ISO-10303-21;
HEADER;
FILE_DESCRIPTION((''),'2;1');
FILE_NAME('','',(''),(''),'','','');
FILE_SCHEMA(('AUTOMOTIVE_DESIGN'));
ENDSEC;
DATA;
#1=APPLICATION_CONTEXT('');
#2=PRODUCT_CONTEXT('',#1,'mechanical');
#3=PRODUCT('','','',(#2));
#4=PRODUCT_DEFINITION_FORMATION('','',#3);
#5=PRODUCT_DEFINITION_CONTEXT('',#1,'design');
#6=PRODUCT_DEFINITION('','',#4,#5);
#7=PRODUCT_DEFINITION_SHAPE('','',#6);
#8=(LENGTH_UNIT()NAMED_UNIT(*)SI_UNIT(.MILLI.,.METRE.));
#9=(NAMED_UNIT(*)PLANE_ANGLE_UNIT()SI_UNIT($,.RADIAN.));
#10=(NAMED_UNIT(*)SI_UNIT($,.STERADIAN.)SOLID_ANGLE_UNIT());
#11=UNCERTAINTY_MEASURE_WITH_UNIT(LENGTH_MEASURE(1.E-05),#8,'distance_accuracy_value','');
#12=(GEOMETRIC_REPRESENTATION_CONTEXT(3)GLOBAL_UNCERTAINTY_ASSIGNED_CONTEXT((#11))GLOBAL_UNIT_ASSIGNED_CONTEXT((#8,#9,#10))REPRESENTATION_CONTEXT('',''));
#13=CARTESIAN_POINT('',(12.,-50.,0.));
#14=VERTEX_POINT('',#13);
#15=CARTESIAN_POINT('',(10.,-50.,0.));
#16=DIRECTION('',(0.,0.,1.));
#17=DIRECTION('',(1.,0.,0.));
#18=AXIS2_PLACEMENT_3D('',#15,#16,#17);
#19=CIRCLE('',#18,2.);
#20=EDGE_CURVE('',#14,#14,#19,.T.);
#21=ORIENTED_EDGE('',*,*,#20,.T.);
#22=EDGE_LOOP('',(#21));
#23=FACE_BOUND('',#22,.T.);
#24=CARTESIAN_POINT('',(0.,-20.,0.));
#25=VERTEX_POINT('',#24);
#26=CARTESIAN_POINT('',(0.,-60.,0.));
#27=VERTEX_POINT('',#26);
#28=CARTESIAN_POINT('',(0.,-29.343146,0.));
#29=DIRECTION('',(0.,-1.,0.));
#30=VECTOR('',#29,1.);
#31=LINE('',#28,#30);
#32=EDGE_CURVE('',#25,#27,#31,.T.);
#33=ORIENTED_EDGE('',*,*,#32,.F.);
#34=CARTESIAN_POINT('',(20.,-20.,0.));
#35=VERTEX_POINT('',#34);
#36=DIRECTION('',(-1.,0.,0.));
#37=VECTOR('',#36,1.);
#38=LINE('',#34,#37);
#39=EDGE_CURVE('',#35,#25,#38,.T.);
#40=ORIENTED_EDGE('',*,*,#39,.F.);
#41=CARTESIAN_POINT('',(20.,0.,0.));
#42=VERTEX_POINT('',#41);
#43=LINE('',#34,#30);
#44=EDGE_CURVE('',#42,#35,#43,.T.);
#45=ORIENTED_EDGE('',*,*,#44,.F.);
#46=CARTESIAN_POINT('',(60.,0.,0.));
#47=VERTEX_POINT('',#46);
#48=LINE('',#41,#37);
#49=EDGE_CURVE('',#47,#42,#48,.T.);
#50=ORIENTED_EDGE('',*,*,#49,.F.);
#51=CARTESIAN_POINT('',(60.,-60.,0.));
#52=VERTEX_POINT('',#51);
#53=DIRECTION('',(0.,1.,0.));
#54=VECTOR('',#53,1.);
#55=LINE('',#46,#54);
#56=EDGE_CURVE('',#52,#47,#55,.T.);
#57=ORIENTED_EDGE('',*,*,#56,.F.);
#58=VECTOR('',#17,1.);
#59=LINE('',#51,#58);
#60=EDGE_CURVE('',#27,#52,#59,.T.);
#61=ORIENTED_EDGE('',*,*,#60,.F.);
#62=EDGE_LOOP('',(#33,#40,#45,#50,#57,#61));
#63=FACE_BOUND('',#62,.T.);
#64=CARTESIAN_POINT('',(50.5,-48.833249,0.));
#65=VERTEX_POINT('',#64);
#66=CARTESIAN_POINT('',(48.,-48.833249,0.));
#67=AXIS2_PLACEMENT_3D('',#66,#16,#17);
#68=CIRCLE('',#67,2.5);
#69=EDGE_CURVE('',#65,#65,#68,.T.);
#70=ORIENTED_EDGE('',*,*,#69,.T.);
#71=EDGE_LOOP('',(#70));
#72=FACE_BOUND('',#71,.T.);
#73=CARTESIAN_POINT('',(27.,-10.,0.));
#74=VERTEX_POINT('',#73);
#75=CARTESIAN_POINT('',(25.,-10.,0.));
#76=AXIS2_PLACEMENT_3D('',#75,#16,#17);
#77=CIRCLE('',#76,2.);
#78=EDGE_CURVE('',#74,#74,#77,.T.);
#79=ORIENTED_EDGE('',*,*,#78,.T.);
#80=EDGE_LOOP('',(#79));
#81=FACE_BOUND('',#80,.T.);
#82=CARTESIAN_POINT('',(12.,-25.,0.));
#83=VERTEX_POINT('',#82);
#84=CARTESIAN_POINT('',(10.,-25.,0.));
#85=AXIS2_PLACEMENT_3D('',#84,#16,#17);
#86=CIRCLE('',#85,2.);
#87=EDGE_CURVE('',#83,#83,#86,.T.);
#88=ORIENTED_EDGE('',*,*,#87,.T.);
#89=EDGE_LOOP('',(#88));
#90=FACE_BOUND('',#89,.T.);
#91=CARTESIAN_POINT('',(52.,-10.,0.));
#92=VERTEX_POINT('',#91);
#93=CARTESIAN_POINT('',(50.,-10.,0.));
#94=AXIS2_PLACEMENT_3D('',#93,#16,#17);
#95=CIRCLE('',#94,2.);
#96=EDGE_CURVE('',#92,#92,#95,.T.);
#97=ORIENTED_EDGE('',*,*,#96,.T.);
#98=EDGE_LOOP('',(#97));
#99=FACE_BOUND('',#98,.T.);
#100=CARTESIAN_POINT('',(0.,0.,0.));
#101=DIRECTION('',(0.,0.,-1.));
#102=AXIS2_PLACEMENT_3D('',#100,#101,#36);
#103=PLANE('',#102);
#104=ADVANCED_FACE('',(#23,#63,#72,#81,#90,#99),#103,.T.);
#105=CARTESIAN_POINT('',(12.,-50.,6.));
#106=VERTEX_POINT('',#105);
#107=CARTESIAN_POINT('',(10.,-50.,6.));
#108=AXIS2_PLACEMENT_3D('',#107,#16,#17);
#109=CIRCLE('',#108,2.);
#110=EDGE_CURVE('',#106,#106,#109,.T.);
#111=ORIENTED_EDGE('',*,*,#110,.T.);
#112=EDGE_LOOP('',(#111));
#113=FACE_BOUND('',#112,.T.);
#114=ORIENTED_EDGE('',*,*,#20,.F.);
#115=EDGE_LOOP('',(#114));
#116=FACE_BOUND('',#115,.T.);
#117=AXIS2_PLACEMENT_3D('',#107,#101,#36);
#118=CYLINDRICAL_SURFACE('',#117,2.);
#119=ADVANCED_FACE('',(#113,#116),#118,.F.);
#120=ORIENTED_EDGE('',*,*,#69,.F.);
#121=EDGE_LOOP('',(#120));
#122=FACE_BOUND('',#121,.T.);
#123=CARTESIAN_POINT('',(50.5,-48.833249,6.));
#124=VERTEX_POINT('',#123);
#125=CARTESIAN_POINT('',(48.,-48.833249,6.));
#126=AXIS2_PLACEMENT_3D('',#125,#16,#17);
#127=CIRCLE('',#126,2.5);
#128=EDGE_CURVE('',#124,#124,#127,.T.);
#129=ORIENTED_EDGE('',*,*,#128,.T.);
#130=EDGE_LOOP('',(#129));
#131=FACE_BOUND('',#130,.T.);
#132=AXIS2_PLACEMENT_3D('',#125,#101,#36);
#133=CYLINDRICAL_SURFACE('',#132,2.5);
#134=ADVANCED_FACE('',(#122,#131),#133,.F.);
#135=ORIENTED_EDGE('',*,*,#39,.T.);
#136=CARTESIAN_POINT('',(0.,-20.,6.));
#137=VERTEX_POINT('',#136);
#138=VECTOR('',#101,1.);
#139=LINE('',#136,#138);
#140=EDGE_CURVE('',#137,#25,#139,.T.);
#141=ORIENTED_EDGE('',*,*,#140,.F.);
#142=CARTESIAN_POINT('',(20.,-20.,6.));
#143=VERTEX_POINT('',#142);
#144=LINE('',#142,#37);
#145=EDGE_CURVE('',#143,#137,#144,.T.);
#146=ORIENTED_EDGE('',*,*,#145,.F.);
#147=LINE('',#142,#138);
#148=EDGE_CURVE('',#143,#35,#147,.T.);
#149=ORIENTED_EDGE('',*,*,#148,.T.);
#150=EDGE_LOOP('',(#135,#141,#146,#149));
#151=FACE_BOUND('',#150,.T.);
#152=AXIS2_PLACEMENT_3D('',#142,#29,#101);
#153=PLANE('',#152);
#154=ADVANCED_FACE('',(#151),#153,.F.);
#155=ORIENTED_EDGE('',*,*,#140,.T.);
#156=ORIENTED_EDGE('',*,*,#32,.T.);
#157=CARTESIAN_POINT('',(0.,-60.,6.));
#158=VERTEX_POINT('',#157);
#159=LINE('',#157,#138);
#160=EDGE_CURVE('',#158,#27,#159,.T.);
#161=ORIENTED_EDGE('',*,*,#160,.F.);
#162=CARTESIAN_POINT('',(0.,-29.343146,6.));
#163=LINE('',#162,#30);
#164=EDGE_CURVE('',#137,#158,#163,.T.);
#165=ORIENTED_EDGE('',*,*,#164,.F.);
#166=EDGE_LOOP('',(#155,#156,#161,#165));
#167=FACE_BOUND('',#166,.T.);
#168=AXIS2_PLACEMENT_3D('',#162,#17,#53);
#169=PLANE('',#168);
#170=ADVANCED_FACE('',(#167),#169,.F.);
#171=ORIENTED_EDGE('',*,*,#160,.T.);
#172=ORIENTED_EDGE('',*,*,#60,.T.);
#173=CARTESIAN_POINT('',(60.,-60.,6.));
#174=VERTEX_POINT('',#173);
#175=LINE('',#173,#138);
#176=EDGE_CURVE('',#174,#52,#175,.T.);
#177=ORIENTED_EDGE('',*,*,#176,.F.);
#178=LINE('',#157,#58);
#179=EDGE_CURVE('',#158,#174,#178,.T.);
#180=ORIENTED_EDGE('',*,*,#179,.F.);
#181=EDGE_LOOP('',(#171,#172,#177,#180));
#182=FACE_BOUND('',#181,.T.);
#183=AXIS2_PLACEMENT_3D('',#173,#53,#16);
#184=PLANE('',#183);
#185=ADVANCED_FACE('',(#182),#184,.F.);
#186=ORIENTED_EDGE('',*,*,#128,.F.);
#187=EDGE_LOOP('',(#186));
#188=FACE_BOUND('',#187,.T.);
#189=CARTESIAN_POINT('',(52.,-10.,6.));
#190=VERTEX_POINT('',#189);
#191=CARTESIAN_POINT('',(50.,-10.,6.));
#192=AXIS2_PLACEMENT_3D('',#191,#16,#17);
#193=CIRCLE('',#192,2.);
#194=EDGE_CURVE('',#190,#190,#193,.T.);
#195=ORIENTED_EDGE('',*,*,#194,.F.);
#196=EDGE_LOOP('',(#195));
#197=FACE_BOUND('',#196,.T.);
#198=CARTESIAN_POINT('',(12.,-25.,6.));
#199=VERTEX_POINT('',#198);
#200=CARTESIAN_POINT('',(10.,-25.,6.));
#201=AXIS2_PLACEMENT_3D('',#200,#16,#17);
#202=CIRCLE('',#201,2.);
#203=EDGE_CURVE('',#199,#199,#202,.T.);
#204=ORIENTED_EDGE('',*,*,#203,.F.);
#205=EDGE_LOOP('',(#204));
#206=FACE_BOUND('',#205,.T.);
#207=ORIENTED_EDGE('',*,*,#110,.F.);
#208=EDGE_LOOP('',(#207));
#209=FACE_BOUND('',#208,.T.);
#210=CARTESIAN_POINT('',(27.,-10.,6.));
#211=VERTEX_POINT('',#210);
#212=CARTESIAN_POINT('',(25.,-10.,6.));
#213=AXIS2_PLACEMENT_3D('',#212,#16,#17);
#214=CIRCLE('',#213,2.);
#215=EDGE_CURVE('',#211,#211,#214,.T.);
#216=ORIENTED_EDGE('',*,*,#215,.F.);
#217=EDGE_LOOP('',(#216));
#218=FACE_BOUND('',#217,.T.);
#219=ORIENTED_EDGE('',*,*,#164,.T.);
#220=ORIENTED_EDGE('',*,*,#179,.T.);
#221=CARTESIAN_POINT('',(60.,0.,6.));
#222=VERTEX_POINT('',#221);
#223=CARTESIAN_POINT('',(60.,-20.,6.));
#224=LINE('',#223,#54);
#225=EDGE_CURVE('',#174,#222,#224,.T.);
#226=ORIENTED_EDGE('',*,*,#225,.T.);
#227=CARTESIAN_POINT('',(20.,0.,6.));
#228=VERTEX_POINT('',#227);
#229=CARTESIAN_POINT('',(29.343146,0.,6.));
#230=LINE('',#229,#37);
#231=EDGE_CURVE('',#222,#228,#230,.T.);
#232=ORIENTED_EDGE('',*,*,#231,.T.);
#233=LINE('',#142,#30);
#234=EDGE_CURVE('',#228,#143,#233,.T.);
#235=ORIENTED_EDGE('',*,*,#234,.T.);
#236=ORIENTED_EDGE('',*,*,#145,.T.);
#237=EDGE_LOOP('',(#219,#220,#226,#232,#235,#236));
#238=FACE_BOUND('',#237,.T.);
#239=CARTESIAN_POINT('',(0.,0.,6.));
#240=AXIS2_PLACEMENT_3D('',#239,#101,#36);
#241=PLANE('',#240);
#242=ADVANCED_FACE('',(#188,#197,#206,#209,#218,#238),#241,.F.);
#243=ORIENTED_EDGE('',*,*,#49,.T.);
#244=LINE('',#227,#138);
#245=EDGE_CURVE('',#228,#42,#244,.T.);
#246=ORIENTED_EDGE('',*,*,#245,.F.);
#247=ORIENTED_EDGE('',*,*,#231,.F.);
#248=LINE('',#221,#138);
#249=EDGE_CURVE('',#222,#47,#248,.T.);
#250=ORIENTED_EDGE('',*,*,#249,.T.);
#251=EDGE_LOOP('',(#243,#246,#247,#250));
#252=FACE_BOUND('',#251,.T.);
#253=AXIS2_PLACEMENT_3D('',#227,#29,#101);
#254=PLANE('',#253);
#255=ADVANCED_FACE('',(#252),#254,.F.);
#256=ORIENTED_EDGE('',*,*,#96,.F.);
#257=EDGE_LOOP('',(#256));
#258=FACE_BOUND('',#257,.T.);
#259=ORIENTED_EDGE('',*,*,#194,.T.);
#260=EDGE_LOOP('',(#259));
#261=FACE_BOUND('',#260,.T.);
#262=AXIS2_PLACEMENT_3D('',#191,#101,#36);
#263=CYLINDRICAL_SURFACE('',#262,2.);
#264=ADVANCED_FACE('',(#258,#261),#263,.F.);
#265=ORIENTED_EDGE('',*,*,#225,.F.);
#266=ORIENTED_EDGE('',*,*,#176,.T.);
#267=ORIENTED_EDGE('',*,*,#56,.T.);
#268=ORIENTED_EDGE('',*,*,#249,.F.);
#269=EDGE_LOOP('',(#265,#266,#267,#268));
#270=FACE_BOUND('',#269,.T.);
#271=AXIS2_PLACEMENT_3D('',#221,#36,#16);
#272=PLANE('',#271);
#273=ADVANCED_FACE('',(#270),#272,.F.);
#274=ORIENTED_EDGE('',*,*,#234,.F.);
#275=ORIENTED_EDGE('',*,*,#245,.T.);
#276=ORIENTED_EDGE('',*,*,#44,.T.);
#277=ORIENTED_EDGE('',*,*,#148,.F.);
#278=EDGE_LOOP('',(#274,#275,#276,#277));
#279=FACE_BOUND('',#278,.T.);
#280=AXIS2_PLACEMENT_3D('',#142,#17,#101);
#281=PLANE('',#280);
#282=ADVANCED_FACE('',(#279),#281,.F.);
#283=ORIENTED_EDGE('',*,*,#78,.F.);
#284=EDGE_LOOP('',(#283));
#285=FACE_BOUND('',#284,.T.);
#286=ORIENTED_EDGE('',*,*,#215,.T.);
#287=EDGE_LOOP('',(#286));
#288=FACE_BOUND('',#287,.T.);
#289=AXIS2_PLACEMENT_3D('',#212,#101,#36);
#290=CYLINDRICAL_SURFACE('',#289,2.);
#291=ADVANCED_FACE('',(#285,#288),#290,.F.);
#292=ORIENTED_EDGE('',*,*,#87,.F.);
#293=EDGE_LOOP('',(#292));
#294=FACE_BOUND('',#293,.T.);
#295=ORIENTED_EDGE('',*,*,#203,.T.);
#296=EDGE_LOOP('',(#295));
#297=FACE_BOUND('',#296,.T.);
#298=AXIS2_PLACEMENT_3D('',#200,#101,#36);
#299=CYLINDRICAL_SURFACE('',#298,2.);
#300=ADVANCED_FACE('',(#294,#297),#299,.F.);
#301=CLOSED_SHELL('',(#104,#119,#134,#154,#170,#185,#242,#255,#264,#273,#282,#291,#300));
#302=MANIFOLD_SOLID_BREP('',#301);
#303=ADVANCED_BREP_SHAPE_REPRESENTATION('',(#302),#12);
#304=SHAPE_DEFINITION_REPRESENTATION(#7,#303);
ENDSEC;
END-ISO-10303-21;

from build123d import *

# Parameters (mm, degrees)
SKETCH1_R           = 2
SKETCH1_R_2         = 2.5
BOSS_EXTRUDE1_DEPTH = 6


with BuildPart() as part:
    # Sketch1 → Boss-Extrude1 (new body)
    with BuildSketch(Plane.XY):
        Polygon((29.343145751, 0), (60, 0), (60, -20), (60, -60), (20, -60), (0, -60), (0, -29.343145751), (0, -20), (20, -20), (20, 0), align=None)
        with Locations((50, -10)):
            Circle(SKETCH1_R, mode=Mode.SUBTRACT)
        with Locations((25, -10)):
            Circle(SKETCH1_R, mode=Mode.SUBTRACT)
        with Locations((10, -50)):
            Circle(SKETCH1_R, mode=Mode.SUBTRACT)
        with Locations((10, -25)):
            Circle(SKETCH1_R, mode=Mode.SUBTRACT)
        with Locations((48, -48.833248844)):
            Circle(SKETCH1_R_2, mode=Mode.SUBTRACT)
    extrude(amount=BOSS_EXTRUDE1_DEPTH)


solid = part.part
